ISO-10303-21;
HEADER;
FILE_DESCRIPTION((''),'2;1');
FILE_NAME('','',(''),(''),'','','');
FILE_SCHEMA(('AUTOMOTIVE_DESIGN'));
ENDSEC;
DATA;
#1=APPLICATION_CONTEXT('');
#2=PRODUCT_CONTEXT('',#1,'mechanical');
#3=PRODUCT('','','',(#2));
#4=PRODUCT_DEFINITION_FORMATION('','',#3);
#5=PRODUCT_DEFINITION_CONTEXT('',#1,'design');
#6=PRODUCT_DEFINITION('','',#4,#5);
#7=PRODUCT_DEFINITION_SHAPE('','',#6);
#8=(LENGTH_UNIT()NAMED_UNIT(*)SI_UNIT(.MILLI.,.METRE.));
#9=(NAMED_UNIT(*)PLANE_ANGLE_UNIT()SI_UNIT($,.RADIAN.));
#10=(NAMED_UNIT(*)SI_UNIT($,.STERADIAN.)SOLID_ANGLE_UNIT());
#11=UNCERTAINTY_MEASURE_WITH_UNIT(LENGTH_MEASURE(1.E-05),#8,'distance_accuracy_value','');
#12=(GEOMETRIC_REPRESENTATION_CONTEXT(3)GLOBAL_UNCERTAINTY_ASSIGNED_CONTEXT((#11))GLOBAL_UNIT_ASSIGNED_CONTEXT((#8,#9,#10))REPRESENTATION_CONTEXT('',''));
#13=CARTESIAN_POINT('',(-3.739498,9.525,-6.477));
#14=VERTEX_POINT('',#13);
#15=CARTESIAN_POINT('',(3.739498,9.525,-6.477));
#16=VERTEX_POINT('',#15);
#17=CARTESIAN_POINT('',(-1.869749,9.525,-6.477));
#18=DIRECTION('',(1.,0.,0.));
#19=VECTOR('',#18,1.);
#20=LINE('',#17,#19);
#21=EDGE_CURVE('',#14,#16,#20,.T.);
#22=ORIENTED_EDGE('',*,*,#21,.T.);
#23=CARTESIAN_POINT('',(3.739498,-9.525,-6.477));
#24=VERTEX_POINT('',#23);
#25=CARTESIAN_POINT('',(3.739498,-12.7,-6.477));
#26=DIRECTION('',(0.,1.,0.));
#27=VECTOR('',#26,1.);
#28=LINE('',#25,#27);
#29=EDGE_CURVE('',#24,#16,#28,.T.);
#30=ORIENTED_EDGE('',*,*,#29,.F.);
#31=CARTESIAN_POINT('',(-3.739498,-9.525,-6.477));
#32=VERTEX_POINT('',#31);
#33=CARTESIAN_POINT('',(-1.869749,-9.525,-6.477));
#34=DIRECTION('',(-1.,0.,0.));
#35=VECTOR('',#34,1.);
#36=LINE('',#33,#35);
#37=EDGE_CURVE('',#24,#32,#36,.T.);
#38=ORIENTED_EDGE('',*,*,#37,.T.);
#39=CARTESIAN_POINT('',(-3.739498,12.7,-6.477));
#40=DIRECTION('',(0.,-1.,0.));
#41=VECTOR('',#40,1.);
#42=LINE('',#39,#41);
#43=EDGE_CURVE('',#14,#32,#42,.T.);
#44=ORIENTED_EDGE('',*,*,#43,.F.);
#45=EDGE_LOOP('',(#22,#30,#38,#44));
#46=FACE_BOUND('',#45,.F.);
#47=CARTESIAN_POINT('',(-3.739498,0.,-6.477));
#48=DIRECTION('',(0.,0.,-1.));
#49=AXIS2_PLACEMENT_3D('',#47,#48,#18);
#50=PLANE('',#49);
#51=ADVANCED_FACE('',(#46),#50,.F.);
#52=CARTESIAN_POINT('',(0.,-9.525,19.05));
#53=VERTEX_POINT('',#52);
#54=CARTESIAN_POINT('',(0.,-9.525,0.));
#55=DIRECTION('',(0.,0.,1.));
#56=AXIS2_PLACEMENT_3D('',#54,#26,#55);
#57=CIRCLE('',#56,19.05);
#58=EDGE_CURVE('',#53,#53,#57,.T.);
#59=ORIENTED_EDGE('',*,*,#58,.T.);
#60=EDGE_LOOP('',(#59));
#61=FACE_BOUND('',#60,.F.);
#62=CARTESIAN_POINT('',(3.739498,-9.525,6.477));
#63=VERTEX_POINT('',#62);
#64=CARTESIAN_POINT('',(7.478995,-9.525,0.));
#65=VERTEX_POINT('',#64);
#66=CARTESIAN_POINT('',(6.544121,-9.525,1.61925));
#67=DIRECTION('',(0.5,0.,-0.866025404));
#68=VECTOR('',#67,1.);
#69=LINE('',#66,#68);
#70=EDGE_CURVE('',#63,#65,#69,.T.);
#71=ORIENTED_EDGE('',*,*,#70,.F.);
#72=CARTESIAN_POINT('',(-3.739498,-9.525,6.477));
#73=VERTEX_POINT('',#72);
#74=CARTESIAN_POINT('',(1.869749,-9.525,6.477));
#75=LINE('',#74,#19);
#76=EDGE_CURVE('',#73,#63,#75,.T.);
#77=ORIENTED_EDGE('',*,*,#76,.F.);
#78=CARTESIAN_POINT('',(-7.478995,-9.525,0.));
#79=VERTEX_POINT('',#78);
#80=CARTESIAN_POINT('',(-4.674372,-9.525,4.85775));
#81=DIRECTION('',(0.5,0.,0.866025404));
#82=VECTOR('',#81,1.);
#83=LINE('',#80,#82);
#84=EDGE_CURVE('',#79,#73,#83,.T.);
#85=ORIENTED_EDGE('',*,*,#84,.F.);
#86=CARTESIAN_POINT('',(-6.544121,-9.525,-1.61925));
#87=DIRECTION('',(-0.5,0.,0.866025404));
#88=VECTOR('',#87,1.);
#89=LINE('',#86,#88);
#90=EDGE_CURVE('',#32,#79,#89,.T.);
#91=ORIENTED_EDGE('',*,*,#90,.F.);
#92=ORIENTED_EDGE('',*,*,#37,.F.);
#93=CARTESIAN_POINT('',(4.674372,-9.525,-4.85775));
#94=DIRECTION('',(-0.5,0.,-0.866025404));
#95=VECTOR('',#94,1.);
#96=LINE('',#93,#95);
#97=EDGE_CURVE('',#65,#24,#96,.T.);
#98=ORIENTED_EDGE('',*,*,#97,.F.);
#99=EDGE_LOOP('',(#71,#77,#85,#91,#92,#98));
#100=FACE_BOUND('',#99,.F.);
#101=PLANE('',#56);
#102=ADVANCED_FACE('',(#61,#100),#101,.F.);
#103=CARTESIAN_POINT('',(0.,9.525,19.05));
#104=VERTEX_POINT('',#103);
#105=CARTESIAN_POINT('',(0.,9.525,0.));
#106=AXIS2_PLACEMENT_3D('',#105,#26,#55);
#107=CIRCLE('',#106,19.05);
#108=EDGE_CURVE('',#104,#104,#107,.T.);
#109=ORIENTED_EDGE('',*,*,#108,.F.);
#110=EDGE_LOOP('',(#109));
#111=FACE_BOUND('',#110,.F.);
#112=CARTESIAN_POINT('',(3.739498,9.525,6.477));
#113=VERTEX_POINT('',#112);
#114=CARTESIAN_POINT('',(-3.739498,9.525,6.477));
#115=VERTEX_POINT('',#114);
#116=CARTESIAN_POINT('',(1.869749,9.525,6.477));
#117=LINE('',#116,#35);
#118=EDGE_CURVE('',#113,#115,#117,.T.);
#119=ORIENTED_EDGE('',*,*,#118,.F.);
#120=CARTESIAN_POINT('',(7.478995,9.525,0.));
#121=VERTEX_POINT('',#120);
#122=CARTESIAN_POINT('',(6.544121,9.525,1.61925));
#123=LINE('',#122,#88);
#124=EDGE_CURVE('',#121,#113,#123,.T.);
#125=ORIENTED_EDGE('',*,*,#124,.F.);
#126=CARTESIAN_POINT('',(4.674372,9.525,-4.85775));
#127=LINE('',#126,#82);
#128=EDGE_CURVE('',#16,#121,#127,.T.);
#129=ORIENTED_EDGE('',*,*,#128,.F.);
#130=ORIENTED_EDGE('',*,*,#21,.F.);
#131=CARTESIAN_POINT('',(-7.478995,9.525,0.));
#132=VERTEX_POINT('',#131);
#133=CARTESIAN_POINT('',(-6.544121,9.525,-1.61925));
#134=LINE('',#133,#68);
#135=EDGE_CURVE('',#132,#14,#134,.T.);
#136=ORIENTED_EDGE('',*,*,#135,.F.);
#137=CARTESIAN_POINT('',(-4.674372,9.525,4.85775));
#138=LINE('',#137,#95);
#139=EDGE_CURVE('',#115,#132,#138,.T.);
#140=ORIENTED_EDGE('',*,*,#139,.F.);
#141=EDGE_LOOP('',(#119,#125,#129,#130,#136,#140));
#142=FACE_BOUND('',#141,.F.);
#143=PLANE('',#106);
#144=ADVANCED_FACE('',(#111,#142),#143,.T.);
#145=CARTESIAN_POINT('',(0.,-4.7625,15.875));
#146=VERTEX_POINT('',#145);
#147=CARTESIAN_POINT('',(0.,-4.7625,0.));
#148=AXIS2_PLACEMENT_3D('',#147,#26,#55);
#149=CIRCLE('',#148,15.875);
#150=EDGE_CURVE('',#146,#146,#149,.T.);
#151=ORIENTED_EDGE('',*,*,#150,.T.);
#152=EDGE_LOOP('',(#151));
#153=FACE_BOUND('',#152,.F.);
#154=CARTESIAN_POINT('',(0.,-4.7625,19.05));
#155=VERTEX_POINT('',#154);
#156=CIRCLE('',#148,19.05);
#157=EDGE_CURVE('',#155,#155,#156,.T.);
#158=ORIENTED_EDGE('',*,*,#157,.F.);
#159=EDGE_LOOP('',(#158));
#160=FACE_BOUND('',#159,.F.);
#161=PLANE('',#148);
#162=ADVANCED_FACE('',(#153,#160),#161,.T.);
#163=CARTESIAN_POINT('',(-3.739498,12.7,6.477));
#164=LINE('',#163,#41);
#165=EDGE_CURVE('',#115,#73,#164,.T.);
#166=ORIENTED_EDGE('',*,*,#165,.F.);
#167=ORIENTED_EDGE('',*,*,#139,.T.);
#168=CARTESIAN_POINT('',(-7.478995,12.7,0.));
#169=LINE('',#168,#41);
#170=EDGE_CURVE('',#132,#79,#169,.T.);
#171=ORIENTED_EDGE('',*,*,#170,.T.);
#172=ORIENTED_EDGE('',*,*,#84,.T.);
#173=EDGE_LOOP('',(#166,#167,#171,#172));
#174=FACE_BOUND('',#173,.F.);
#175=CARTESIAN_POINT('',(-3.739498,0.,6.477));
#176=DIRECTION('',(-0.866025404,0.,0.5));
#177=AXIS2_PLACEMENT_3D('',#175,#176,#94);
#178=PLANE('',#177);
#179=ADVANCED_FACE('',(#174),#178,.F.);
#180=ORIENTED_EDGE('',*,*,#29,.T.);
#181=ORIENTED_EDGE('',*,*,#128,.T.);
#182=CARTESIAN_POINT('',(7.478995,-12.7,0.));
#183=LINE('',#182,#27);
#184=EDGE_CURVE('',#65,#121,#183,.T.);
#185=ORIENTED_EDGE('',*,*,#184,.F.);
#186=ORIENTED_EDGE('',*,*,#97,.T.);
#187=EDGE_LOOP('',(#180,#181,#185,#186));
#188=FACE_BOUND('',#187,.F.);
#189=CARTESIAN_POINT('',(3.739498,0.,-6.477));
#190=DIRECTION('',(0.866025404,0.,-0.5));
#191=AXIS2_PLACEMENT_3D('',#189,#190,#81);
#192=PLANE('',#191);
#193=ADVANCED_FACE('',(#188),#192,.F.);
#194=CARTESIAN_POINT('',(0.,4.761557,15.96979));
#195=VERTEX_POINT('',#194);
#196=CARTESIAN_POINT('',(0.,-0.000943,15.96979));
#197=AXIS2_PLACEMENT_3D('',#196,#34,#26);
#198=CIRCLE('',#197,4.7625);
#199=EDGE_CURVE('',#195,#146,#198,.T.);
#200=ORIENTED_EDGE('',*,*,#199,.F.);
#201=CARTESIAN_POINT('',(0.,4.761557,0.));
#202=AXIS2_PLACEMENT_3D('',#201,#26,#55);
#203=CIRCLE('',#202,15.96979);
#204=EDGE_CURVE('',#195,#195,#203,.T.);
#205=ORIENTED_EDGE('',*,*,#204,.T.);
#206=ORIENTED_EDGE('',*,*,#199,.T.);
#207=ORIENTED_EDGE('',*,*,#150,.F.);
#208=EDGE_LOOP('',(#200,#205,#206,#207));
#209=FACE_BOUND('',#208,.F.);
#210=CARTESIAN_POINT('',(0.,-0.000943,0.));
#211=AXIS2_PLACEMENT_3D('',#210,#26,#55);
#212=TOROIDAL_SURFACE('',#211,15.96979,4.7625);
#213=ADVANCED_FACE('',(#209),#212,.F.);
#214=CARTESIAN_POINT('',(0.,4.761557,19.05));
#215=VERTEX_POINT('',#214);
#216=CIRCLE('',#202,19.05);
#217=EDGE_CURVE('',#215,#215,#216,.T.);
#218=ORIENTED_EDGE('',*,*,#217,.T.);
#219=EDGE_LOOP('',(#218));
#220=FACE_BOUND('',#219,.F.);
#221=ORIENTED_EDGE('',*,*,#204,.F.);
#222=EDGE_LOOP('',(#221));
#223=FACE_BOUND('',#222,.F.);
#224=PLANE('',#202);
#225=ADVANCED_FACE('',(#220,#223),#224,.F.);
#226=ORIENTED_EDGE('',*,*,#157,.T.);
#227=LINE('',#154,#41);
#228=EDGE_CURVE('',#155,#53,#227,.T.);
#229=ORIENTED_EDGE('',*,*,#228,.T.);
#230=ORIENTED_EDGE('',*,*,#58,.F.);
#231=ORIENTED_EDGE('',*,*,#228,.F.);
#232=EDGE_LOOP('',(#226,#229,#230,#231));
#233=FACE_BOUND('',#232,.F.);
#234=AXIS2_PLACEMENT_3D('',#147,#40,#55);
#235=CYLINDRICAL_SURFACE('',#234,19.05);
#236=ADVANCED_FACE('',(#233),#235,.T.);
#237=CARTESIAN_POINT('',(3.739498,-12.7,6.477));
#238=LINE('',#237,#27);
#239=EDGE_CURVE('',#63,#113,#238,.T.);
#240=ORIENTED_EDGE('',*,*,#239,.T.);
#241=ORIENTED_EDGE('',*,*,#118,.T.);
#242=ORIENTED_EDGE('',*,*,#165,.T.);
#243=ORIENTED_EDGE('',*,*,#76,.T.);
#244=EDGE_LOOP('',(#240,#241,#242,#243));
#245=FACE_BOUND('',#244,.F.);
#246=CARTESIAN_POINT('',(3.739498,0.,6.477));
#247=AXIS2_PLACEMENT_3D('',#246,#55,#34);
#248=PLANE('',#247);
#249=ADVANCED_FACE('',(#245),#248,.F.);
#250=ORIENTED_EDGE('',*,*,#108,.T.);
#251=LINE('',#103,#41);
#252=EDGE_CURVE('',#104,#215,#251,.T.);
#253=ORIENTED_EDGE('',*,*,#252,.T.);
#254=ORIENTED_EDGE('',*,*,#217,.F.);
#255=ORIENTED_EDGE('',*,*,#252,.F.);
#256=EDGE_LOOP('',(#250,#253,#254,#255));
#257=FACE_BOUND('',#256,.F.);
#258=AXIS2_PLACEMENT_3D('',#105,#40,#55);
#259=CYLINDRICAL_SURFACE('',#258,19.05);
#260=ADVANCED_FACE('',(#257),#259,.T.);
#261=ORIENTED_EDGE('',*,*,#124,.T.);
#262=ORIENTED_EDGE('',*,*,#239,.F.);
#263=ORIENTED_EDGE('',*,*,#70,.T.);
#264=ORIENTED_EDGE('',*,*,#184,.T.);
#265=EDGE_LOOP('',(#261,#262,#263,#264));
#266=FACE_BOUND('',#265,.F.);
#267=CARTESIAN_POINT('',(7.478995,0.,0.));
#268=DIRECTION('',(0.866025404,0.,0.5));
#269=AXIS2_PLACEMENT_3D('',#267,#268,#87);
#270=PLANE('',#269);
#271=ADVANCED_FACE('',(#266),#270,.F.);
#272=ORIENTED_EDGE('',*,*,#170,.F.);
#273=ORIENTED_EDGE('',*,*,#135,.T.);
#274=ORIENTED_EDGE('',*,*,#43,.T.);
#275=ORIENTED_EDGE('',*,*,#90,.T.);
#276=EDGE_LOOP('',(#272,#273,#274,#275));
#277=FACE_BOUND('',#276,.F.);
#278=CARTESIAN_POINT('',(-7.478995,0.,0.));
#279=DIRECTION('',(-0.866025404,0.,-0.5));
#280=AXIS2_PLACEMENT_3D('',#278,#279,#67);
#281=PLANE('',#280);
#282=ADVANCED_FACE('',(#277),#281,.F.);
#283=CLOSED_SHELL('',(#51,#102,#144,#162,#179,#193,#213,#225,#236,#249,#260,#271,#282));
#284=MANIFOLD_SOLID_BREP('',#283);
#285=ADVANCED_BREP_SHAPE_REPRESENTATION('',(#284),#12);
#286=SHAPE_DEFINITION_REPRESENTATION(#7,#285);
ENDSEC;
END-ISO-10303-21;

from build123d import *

# Parameters (mm, degrees)
F3_DEPTH = 12.7


with BuildPart() as f2:
    # F1 (on Right) → F2 (revolve)
    with BuildSketch(Plane.YZ):
        with BuildLine():
            Line((-4.7625, 15.875), (-4.7625, 19.05))
            Line((-4.7625, 19.05), (-9.525, 19.05))
            Line((-9.525, 19.05), (-9.525, 0))
            Line((-9.525, 0), (9.525, 0))
            Line((9.525, 0), (9.525, 19.05))
            Line((9.525, 19.05), (4.7615565856, 19.05))
            Line((4.7615565856, 19.05), (4.7615565856, 15.9697899354))
            ThreePointArc((4.7615565856, 15.9697899354), (0.0464539006, 11.2075257948), (-4.7625, 15.875))
        make_face()
    revolve(axis=Axis((0, 0, 0), (0, 1, 0)))

    # F0 (on Front) → F3 (cut, symmetric)
    with BuildSketch(Plane.XZ):
        Polygon((3.7394976935, 6.477), (-3.7394976935, 6.477), (-7.4789953871, 0), (-3.7394976935, -6.477), (3.7394976935, -6.477), (7.4789953871, 0), align=None)
    extrude(amount=F3_DEPTH, both=True, mode=Mode.SUBTRACT)


solid = f2.part
